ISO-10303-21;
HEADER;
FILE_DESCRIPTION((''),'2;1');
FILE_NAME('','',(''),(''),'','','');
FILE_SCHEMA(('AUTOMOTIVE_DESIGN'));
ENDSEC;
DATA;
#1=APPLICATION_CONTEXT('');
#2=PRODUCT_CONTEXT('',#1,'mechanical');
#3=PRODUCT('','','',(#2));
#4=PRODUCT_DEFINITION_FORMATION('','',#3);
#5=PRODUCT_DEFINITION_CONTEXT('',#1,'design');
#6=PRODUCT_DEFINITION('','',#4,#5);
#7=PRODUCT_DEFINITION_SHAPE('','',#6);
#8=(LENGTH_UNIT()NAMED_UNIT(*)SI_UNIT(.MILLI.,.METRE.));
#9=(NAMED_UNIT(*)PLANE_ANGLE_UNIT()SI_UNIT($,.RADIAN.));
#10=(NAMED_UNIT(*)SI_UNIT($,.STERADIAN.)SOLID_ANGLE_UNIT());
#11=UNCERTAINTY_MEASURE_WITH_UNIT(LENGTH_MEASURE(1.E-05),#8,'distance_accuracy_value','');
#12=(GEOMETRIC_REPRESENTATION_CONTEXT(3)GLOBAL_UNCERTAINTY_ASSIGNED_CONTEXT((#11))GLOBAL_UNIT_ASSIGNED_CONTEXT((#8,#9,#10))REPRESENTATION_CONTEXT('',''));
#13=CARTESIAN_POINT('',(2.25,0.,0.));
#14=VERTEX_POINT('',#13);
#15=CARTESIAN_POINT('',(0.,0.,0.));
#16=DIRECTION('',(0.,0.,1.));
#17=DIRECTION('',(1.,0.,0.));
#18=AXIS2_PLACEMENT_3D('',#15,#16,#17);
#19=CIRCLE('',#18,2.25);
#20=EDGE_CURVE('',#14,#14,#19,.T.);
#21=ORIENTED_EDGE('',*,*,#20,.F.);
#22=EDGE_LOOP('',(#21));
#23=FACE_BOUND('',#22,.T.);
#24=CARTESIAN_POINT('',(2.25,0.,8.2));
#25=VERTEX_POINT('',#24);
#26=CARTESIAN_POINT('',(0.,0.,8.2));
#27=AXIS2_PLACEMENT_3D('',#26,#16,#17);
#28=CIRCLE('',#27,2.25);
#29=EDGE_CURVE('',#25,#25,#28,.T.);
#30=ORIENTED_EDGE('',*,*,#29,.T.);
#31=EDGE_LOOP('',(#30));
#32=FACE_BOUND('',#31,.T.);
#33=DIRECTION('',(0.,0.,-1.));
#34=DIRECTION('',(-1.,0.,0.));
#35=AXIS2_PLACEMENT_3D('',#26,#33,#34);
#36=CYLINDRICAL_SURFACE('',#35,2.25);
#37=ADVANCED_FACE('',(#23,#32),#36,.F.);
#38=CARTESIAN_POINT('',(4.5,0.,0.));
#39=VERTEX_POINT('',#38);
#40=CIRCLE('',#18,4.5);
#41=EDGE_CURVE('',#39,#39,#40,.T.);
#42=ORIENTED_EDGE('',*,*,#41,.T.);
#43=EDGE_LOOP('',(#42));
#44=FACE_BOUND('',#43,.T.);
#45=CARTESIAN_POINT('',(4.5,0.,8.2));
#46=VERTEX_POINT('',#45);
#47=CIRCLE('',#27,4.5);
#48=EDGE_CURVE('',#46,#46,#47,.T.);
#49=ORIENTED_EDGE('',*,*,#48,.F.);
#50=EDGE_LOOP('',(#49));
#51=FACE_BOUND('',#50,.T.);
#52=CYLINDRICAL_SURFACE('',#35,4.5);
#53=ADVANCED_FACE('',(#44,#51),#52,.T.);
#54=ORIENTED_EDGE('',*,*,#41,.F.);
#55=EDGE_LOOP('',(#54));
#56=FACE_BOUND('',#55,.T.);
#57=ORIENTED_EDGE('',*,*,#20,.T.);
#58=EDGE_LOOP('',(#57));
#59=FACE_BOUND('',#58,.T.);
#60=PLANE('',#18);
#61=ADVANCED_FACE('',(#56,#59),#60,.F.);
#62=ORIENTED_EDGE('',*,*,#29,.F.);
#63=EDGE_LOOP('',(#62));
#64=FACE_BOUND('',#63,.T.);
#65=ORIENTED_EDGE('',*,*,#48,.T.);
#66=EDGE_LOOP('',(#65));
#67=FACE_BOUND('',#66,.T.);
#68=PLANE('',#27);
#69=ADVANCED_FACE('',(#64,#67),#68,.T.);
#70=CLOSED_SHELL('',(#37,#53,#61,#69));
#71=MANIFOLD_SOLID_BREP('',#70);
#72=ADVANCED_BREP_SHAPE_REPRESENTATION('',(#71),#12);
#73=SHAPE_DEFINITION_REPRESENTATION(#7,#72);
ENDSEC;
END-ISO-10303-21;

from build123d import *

# Parameters (mm, degrees)
SKETCH_1_R      = 4.5
SKETCH_1_R_2    = 2.25
EXTRUDE_1_DEPTH = 8.2


with BuildPart() as part:
    # 草图1 → 凸台-拉伸1 (new body)
    with BuildSketch(Plane.XY):
        Circle(SKETCH_1_R)
        Circle(SKETCH_1_R_2, mode=Mode.SUBTRACT)
    extrude(amount=EXTRUDE_1_DEPTH)


solid = part.part
